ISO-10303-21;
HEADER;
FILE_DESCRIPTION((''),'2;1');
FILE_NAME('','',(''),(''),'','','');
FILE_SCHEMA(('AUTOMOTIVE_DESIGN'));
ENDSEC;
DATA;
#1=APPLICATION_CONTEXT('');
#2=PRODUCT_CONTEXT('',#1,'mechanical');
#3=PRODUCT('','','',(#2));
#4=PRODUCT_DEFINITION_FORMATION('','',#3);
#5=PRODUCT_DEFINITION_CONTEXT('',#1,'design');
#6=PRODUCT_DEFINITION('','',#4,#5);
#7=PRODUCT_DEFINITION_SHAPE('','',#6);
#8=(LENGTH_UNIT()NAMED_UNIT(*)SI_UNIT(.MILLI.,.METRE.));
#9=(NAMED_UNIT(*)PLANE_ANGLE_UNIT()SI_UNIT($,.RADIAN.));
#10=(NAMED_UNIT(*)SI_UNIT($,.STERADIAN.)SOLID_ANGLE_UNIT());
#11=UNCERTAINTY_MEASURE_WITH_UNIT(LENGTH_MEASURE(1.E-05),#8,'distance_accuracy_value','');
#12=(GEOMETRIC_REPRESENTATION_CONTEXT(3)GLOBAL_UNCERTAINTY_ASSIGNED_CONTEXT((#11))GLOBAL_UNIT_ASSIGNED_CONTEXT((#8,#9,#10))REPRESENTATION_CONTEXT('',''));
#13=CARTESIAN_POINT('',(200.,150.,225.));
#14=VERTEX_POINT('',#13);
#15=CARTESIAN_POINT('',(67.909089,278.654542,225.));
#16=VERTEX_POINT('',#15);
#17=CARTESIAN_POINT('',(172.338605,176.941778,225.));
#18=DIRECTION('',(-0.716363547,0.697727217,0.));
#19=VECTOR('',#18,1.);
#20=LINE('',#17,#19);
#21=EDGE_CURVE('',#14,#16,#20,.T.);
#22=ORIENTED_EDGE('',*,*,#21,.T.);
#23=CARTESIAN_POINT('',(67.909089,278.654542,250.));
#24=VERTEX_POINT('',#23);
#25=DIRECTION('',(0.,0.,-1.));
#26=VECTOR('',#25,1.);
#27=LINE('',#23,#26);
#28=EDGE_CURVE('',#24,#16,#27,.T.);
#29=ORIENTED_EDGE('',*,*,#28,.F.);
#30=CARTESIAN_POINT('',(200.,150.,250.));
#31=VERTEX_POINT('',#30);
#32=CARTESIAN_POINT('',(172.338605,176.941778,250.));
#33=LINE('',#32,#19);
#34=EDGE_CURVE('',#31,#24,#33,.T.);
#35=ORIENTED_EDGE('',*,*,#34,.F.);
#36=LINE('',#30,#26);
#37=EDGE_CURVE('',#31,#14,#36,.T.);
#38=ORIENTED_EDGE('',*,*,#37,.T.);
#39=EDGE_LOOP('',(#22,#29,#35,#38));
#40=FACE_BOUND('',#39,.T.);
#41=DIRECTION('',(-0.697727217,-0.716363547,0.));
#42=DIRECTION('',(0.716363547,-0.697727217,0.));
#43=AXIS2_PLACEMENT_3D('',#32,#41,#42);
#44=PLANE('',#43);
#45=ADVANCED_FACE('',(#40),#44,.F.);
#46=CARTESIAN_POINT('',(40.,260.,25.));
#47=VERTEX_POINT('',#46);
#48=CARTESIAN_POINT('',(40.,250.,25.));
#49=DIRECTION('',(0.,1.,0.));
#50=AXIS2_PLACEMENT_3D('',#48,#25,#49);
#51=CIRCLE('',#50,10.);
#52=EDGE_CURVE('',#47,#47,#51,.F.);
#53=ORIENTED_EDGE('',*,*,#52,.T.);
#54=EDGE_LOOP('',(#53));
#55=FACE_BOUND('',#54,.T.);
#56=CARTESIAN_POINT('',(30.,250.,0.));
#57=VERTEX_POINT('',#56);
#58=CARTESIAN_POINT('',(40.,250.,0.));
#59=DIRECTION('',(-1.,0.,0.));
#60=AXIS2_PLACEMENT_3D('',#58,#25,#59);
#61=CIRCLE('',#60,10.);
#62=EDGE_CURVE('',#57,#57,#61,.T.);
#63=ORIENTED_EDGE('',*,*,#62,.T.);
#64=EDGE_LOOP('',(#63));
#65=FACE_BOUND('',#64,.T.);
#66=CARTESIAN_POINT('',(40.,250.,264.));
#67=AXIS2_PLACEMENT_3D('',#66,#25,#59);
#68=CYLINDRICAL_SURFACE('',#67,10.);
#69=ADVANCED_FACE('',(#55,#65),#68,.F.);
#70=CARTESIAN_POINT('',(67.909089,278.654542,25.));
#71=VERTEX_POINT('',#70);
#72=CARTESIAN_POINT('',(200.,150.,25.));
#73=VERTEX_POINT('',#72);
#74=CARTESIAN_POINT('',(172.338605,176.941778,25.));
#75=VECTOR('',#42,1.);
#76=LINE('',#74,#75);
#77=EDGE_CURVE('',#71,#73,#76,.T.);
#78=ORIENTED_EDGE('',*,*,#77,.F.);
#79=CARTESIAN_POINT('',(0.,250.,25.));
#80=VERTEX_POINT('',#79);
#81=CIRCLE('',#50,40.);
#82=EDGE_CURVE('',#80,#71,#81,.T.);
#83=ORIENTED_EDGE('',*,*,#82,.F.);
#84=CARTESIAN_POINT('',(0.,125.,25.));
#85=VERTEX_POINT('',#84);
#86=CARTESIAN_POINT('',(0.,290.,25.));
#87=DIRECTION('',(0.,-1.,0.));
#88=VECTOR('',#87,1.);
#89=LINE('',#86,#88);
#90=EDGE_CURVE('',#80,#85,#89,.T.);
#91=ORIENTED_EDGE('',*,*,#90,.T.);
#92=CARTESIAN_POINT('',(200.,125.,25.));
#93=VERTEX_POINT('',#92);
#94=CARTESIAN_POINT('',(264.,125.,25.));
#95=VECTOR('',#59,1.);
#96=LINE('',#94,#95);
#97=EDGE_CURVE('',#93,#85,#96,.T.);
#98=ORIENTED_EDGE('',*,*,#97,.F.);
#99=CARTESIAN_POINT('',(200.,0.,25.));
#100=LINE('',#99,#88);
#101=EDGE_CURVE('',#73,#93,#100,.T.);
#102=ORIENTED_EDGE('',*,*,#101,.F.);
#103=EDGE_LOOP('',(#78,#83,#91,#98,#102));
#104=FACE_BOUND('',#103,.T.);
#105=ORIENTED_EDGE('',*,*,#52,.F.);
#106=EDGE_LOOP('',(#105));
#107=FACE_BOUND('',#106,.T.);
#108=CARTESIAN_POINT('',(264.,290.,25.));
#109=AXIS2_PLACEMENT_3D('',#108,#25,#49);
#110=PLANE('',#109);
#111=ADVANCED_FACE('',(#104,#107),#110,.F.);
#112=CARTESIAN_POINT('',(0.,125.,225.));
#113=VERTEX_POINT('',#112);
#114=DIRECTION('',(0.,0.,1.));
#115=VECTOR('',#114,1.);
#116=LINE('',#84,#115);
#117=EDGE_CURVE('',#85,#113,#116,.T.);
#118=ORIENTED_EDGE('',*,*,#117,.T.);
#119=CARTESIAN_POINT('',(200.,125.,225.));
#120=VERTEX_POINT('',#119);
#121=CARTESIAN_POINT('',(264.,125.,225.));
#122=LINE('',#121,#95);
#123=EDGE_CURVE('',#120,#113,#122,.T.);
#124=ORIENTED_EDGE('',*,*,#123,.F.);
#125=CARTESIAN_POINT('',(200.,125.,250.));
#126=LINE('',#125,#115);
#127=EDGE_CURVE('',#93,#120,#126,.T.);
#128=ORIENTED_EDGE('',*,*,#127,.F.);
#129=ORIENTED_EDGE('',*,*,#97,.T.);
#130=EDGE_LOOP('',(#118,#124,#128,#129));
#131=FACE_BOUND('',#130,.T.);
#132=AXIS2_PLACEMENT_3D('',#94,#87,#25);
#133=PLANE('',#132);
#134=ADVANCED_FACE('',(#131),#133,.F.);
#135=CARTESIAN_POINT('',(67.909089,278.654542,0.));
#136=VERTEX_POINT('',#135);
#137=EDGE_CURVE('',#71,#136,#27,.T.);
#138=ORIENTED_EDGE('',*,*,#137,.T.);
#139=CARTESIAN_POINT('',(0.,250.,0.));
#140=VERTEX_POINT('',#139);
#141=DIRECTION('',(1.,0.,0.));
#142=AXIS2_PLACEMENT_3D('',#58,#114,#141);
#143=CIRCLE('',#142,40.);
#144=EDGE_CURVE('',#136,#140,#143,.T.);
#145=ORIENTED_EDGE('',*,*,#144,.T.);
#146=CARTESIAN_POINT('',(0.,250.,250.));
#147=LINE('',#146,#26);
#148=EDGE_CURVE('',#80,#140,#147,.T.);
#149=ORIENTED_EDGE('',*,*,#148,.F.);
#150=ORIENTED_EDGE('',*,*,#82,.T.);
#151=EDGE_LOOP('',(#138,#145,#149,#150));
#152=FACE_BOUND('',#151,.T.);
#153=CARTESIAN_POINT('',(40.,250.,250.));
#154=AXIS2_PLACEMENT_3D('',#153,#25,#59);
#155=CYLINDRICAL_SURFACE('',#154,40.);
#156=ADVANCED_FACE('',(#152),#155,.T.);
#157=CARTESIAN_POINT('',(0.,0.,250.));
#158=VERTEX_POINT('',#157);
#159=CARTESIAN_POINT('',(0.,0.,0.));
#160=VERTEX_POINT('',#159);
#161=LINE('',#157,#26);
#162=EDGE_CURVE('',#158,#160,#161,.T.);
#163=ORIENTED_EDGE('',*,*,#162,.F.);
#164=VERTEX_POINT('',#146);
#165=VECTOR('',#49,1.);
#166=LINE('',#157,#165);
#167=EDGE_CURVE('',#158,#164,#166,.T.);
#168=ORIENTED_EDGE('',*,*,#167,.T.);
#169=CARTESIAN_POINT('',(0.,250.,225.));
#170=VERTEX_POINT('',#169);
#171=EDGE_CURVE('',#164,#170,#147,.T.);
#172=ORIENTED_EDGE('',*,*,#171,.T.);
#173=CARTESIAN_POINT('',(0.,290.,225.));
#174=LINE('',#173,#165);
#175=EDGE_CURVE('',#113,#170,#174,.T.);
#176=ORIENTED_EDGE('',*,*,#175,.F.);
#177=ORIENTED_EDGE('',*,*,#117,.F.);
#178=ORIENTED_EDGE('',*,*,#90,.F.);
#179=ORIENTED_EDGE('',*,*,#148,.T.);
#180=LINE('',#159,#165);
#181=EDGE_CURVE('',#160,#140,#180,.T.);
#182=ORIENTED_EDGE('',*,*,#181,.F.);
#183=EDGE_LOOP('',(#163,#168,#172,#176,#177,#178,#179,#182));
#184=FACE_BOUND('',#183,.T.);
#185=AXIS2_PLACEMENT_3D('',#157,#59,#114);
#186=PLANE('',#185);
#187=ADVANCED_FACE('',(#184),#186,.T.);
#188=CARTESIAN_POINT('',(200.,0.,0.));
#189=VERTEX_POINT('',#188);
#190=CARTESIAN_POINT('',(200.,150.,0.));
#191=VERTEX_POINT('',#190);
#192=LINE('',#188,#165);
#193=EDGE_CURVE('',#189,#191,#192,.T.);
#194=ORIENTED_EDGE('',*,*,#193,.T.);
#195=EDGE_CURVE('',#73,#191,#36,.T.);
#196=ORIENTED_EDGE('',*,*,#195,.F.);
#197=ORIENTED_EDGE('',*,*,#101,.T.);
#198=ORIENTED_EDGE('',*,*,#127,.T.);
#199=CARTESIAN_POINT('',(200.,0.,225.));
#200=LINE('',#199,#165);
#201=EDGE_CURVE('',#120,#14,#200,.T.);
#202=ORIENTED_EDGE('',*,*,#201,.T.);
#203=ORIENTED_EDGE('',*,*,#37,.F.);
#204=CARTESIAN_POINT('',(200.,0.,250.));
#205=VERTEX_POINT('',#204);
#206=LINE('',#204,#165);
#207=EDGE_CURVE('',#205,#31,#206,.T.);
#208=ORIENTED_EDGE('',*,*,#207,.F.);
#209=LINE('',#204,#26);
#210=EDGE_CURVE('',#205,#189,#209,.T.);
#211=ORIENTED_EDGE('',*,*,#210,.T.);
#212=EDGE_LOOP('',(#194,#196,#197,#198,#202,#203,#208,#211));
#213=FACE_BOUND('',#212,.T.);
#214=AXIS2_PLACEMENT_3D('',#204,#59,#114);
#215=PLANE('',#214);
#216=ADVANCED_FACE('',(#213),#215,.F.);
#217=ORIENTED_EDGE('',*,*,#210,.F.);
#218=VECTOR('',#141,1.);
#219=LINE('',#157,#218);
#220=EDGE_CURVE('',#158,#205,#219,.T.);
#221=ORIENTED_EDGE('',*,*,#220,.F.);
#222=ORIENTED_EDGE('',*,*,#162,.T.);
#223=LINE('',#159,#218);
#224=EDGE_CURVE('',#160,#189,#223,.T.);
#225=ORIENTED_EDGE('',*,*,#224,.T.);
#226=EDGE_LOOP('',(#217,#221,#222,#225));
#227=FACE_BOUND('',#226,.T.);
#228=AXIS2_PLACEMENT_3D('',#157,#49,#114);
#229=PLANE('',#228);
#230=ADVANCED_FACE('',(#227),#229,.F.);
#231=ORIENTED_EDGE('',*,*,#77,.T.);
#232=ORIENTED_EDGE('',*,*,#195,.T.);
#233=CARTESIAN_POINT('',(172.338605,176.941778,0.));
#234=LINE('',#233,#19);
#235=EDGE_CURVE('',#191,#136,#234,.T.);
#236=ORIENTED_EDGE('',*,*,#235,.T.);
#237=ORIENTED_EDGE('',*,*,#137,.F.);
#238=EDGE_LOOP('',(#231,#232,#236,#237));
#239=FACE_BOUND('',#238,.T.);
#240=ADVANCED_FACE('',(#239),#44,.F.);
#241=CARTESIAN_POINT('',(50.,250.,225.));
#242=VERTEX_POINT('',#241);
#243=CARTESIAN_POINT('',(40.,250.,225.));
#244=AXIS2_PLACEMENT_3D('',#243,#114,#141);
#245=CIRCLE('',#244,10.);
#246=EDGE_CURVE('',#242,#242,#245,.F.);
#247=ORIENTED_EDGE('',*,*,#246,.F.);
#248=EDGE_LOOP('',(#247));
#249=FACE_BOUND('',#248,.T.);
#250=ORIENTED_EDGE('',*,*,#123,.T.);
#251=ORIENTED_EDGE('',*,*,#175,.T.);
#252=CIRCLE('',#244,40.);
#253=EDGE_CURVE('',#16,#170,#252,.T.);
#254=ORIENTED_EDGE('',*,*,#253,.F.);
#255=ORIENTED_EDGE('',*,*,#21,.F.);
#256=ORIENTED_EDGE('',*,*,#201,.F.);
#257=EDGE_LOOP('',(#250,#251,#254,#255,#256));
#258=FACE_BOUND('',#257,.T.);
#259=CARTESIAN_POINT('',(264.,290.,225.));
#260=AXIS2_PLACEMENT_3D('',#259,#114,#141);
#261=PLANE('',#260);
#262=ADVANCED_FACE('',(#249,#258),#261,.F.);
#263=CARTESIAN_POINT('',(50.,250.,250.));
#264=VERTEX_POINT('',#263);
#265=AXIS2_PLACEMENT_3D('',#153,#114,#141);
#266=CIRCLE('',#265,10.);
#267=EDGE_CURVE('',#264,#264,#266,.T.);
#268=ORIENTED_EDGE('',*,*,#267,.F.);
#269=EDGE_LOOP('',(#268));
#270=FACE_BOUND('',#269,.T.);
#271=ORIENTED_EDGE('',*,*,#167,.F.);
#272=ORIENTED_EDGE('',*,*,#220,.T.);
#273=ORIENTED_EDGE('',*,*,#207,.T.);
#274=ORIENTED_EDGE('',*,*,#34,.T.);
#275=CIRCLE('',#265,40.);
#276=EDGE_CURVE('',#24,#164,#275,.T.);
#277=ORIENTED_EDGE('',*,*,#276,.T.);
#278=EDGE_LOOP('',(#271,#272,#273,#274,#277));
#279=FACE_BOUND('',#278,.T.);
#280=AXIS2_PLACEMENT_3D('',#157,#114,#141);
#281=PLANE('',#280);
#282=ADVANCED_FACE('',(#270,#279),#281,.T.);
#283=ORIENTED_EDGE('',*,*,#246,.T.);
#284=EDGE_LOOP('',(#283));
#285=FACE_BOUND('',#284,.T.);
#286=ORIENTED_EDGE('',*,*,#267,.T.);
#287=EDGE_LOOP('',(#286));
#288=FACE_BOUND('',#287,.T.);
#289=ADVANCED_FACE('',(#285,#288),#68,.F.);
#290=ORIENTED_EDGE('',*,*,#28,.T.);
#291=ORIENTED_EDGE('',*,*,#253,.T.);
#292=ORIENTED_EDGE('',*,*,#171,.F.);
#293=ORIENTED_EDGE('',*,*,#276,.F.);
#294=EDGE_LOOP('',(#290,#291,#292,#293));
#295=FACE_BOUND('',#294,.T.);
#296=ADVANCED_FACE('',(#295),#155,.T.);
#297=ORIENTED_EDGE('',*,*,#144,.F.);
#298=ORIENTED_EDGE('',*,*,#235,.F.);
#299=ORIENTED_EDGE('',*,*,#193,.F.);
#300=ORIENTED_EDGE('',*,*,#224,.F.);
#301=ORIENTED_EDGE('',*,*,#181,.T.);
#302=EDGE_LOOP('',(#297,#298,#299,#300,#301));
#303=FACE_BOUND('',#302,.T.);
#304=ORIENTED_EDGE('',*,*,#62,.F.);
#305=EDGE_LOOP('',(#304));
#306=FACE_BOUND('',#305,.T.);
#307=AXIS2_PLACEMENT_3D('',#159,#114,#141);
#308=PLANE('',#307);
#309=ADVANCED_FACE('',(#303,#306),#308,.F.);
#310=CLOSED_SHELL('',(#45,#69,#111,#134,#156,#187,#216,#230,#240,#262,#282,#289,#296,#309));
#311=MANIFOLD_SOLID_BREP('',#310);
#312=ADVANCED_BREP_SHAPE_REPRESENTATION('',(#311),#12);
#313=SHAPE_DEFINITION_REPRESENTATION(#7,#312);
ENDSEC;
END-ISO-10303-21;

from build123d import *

# Parameters (mm, degrees)
SALIENTE_EXTRUIR3_DEPTH = 250
CROQUIS6_R              = 10
CORTAR_EXTRUIR1_DEPTH   = 264
CROQUIS7_W              = 200
CROQUIS7_H              = 165
CORTAR_EXTRUIR3_DEPTH   = 264


with BuildPart() as part:
    # Croquis3 → Saliente-Extruir3 (new body)
    with BuildSketch(Plane.XY):
        with BuildLine():
            Line((200, 150), (67.909088668, 278.654541869))
            ThreePointArc((67.909088668, 278.654541869), (24.449494329, 286.853517788), (0, 250))
            Line((0, 250), (0, 150))
            Line((0, 150), (0, 0))
            Line((0, 0), (200, 0))
            Line((200, 0), (200, 150))
        make_face()
    extrude(amount=SALIENTE_EXTRUIR3_DEPTH)

    # Croquis6 → Cortar-Extruir1 (cut)
    with BuildSketch(Plane(origin=(0, 0, 0), x_dir=(-1, 0, 0), z_dir=(0, 0, -1))):
        with Locations((-40, 250)):
            Circle(CROQUIS6_R)
    extrude(amount=-CORTAR_EXTRUIR1_DEPTH, mode=Mode.SUBTRACT)

    # Croquis7 → Cortar-Extruir3 (cut)
    with BuildSketch(Plane.ZY):
        with Locations((125, 207.5)):
            Rectangle(CROQUIS7_W, CROQUIS7_H)
    extrude(amount=-CORTAR_EXTRUIR3_DEPTH, mode=Mode.SUBTRACT)


solid = part.part
